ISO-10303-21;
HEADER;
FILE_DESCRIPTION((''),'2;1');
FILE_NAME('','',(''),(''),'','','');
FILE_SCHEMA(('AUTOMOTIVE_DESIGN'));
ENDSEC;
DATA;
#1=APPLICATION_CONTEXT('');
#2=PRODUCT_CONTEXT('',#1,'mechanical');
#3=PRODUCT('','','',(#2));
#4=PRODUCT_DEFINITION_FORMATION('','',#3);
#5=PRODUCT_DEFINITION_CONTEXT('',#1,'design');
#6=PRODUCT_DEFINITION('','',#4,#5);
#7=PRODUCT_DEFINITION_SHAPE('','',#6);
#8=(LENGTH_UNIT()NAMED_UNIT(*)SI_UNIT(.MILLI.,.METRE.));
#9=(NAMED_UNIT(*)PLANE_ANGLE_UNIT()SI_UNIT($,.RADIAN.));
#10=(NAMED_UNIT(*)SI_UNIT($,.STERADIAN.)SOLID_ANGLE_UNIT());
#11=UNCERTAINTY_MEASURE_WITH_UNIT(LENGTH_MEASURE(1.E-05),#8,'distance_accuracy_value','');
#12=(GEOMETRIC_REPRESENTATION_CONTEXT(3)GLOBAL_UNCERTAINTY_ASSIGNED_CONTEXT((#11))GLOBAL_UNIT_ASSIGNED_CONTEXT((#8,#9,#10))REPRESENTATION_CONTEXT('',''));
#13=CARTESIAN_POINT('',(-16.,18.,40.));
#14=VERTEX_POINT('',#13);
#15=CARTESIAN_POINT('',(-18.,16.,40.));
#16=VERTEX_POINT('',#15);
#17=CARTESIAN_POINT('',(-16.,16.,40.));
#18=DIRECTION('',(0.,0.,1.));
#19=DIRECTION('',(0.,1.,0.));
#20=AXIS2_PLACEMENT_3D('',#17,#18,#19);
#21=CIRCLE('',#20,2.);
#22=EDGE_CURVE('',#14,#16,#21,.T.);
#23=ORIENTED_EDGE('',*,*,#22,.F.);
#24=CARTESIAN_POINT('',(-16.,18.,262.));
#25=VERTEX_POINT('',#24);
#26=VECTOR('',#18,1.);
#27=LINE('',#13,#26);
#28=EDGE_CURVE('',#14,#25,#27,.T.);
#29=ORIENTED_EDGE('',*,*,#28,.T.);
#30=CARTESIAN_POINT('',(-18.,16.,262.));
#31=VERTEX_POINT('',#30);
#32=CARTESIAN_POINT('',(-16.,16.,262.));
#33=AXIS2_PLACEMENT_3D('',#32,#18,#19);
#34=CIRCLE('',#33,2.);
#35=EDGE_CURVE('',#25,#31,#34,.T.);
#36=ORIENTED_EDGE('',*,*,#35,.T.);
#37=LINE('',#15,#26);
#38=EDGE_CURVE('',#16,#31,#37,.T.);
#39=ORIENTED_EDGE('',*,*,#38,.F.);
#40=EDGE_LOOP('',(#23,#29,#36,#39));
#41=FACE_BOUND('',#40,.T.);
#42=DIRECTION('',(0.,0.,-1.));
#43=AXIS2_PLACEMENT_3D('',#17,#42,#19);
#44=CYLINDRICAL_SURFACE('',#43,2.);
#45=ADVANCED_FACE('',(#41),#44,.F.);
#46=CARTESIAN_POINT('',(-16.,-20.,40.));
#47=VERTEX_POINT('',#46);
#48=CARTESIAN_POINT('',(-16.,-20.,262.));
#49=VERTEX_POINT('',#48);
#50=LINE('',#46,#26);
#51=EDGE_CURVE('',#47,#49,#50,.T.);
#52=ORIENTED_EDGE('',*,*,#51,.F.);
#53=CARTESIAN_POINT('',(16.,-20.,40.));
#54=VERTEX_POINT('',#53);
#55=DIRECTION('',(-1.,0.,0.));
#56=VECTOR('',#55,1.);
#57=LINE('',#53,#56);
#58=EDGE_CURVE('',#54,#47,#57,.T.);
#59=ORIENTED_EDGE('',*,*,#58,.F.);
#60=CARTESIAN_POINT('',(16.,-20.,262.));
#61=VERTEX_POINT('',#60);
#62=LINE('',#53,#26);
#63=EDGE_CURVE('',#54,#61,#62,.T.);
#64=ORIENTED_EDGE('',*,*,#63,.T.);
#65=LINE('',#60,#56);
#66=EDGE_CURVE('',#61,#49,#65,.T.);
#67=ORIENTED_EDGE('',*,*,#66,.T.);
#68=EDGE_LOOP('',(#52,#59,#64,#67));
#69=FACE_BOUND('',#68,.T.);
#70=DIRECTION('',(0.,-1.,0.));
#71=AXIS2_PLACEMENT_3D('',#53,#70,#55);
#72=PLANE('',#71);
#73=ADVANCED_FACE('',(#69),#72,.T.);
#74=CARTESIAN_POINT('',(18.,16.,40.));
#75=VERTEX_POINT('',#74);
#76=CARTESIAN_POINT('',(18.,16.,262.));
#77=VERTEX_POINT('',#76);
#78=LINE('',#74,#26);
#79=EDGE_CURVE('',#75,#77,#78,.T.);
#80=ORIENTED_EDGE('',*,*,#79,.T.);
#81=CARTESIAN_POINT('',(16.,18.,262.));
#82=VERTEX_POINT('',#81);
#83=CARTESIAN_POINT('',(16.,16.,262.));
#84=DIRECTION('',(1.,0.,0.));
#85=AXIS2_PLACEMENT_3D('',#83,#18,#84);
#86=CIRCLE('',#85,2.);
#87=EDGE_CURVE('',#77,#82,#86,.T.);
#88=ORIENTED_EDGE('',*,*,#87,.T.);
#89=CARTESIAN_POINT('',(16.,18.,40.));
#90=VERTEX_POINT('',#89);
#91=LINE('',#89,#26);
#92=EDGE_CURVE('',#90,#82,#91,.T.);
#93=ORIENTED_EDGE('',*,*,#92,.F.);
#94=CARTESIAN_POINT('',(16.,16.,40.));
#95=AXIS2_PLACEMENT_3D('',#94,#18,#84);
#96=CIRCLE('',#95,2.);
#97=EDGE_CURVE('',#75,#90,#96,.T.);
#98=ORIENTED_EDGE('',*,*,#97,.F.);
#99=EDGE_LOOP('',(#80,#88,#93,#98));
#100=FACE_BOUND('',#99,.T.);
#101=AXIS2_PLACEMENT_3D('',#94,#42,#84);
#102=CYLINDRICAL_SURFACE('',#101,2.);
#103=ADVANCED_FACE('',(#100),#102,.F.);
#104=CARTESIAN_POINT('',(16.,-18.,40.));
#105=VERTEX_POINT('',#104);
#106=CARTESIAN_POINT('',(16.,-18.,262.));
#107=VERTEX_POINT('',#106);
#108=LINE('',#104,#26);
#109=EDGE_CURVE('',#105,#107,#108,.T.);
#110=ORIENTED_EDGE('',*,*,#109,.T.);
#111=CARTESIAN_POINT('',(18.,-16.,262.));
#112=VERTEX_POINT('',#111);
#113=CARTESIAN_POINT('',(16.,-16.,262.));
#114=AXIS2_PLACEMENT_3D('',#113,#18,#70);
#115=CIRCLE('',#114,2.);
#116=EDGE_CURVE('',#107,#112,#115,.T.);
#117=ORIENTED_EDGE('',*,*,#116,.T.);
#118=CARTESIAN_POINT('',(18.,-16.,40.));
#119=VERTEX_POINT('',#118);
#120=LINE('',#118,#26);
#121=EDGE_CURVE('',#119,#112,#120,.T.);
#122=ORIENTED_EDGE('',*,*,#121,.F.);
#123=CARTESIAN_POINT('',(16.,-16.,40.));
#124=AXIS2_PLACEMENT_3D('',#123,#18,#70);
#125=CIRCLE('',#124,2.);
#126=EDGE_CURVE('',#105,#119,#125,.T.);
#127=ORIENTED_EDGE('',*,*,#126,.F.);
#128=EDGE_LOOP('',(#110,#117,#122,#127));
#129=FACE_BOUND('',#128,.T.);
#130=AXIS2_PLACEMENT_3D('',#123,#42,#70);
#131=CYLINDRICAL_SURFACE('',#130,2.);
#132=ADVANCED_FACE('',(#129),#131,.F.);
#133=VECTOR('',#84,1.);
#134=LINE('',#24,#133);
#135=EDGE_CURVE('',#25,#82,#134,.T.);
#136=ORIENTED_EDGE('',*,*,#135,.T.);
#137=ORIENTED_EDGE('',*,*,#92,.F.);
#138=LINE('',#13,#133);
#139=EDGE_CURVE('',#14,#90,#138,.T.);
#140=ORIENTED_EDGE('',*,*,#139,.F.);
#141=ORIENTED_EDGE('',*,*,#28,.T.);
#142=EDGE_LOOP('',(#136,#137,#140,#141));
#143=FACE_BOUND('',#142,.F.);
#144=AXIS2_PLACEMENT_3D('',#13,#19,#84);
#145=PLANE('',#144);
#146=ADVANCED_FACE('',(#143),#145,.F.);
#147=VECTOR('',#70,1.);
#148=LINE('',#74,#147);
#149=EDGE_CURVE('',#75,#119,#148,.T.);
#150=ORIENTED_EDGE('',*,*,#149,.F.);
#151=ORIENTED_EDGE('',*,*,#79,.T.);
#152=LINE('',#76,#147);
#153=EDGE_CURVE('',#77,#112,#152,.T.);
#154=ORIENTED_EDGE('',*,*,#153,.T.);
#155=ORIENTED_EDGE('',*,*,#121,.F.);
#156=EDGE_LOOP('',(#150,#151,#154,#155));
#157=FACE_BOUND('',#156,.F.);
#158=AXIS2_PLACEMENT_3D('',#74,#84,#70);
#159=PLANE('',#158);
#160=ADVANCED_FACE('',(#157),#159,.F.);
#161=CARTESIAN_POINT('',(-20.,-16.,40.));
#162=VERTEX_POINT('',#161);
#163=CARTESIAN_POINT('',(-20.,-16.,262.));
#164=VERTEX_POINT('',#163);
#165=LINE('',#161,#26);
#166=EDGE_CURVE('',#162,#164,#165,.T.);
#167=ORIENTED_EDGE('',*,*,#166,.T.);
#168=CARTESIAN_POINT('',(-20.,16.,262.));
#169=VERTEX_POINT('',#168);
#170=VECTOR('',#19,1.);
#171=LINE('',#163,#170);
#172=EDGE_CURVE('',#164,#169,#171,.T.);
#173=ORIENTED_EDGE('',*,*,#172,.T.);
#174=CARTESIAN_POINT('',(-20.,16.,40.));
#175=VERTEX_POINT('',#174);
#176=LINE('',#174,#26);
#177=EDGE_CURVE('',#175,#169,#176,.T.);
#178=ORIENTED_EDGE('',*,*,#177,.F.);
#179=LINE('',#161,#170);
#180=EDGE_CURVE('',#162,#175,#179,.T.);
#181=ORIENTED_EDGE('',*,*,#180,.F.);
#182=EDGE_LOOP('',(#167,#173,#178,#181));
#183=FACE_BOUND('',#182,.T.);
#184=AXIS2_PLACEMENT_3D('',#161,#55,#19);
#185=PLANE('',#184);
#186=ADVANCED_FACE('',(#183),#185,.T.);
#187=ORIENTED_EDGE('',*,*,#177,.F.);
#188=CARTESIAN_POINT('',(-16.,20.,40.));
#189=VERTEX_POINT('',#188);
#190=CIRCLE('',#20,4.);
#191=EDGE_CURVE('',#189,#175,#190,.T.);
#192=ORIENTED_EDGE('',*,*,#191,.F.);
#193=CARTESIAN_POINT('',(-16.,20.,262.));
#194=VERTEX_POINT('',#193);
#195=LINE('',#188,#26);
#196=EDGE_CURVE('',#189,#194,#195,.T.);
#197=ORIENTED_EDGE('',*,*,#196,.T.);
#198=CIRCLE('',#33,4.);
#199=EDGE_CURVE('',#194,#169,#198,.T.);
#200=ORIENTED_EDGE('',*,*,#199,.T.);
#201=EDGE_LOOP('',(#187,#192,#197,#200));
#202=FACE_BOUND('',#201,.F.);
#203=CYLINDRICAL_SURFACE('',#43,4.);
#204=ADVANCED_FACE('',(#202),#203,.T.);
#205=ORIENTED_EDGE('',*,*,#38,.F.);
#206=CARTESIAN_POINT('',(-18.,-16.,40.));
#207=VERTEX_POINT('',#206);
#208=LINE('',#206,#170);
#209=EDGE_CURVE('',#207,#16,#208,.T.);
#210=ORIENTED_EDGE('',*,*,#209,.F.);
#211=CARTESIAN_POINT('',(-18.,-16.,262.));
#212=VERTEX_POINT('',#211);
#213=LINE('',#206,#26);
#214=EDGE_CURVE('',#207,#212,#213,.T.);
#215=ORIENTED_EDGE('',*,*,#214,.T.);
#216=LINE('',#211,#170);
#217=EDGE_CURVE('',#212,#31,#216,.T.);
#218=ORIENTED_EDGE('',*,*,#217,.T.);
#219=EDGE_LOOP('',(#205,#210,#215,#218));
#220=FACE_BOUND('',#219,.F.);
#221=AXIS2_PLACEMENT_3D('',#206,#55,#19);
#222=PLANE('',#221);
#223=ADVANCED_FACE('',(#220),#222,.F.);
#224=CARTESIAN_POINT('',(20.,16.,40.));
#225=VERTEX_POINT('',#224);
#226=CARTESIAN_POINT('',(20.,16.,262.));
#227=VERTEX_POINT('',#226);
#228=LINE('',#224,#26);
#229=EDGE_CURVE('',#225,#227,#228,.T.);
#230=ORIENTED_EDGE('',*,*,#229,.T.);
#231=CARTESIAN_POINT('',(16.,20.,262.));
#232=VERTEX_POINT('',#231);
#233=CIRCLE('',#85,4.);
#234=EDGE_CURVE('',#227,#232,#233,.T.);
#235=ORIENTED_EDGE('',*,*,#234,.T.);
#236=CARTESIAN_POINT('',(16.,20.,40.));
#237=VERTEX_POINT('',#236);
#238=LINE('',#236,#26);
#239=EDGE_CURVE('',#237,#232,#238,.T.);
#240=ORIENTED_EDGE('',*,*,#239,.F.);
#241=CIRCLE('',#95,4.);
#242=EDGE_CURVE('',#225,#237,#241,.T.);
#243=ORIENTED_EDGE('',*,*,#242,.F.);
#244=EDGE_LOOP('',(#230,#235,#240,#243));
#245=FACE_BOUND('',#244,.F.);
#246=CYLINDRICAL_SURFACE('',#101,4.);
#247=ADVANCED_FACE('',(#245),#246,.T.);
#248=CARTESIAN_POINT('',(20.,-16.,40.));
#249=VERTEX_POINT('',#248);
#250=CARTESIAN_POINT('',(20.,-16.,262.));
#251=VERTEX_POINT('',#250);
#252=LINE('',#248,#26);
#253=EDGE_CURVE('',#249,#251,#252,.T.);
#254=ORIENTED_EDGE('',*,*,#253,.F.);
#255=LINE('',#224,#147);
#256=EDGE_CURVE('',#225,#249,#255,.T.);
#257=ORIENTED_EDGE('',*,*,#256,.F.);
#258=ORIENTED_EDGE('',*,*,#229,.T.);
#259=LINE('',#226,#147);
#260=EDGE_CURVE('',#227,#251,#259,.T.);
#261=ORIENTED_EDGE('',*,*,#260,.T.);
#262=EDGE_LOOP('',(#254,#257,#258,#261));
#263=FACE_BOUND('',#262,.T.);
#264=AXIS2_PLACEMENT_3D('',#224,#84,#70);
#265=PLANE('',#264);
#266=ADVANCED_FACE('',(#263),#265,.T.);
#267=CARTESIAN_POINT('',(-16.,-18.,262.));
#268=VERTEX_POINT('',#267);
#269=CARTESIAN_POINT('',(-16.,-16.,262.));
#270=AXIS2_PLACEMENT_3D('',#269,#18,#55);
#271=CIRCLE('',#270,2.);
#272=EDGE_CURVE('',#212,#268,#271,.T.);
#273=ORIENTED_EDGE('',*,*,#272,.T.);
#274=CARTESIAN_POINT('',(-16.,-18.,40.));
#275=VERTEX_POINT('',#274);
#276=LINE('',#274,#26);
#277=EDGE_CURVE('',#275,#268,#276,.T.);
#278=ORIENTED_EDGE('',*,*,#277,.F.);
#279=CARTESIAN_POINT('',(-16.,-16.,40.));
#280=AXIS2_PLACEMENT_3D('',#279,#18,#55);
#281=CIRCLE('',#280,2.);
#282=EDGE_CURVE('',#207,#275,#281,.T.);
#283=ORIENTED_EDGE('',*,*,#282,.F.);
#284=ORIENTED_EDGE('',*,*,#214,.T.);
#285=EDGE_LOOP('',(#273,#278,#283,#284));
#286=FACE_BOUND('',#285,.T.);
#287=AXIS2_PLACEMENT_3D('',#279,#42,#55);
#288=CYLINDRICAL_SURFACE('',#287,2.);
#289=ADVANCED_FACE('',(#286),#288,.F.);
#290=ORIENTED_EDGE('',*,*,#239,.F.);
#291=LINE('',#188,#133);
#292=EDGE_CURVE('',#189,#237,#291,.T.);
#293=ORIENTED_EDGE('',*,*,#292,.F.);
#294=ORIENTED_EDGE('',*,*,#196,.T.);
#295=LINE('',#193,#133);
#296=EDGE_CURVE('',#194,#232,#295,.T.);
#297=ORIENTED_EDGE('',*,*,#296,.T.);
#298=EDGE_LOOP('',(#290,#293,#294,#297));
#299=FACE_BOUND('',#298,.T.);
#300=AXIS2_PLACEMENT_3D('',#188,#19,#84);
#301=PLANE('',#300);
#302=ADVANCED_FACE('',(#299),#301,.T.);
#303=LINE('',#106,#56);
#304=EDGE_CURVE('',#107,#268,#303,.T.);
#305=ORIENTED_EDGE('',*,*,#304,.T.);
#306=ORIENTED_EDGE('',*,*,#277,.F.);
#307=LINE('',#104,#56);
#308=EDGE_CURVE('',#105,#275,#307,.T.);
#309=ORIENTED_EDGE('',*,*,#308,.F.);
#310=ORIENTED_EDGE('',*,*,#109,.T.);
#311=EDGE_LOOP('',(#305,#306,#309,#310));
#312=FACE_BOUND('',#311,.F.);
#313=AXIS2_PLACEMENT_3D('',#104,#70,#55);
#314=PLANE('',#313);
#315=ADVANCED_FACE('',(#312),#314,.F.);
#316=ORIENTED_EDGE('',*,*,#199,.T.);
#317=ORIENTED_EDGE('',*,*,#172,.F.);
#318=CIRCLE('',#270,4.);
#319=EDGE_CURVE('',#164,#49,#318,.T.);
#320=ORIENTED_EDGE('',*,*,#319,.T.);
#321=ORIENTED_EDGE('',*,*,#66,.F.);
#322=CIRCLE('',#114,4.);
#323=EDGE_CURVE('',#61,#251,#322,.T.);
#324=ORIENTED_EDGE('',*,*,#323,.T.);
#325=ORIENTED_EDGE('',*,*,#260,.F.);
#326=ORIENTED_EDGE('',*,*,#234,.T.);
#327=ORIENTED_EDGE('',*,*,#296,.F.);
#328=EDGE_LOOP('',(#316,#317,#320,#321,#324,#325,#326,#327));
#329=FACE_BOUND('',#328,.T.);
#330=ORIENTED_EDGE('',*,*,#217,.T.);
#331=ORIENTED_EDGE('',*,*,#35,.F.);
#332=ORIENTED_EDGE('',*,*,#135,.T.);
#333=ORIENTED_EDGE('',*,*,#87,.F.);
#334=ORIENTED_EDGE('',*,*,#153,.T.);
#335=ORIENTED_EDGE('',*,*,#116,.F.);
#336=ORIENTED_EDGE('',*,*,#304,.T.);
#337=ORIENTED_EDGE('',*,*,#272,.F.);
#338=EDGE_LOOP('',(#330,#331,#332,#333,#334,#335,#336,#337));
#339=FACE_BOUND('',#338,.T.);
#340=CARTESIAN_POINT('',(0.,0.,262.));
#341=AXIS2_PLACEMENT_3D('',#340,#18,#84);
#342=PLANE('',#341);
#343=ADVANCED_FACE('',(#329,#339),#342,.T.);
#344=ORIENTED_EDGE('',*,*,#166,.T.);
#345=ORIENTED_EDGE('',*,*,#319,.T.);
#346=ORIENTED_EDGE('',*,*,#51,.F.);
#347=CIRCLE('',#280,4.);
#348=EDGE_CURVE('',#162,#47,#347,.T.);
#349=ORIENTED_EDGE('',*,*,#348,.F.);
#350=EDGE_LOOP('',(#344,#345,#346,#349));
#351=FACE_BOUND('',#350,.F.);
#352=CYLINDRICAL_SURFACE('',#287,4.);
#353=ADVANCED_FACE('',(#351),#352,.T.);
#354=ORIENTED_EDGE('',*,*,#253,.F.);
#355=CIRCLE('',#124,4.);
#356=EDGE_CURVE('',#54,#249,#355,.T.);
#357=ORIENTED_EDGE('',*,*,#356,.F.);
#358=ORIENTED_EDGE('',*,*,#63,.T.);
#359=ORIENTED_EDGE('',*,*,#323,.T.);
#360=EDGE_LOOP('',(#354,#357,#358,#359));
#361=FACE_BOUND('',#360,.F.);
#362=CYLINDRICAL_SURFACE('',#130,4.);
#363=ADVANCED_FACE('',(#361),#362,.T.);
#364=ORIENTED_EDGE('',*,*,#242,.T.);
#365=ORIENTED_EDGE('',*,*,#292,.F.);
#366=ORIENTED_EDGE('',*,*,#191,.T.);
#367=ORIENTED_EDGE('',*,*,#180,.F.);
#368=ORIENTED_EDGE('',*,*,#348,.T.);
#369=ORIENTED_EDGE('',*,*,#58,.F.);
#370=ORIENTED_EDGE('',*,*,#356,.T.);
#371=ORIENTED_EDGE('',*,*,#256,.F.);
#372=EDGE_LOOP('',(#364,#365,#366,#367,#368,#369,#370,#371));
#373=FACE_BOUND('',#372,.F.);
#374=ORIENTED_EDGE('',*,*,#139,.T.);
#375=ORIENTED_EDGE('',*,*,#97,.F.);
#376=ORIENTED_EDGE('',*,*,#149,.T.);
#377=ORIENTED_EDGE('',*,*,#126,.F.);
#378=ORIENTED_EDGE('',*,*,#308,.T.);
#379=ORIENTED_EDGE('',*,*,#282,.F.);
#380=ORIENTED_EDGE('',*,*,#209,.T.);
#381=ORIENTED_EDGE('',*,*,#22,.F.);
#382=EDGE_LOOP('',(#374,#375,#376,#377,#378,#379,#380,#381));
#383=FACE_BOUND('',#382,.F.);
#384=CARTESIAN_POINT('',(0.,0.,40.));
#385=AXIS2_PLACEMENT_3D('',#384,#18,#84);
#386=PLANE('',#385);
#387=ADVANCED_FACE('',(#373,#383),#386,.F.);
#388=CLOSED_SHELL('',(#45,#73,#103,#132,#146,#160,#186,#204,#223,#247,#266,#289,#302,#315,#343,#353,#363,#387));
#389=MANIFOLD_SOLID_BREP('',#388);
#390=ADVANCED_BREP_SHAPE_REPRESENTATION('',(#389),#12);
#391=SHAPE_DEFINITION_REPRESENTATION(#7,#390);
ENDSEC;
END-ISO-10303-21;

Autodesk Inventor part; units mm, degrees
ref_plane "YZ Plane" through (0, 0, 0) normal (1, 0, 0) x (0, 1, 0)
ref_plane "Start Plane" through (0, 0, 40) normal (0, 0, 1) x (1, 0, 0)
ref_plane "End Plane" through (0, 0, 262) normal (0, 0, 1) x (1, 0, 0)
sketch "Sketch" plane through (0, 0, 0) normal (0, 0, 1) x (1, 0, 0)
  line L0 (-20, -16) -> (-20, 16)
  line L1 (-16, 20) -> (16, 20)
  line L2 (20, 16) -> (20, -16)
  line L3 (16, -20) -> (-16, -20)
  arc A0 (-20, -16) -> (-16, -20) centre (-16, -16) ccw
  arc A1 (20, 16) -> (16, 20) centre (16, 16) ccw
  arc A2 (-16, 20) -> (-20, 16) centre (-16, 16) ccw
  arc A3 (16, -20) -> (20, -16) centre (16, -16) ccw
  arc A4 (-16, 18) -> (-18, 16) centre (-16, 16) ccw
  line L4 (-16, 18) -> (16, 18)
  arc A5 (18, 16) -> (16, 18) centre (16, 16) ccw
  line L5 (18, 16) -> (18, -16)
  arc A6 (16, -18) -> (18, -16) centre (16, -16) ccw
  line L6 (16, -18) -> (-16, -18)
  arc A7 (-18, -16) -> (-16, -18) centre (-16, -16) ccw
  line L7 (-18, -16) -> (-18, 16)
  line L8 (0, 29.1598) -> (0, -29.1598) construction
  line L9 (-29.1598, 0) -> (29.1598, 0) construction
  dimension "d7" = 4
  dimension "d9" = 40
  dimension "d11" = 40
  dimension "d12" = 2
  dimension "d15" = 20
  dimension "d16" = 20
extrude "Body" add sketch "Sketch" along normal up to surface (222 mm away) from surface at 40
sketch "Sketch3" plane through (0, 0, 0) normal (0, 0, 1) x (1, 0, 0)
  line L0 (0, 0) -> (10, 0)
ref_plane "Work Plane3" through (0, 0, 0) normal (0, -1, 0) x (1, 0, 0)
sketch "Sketch4" plane through (0, 0, 0) normal (0, -1, 0) x (1, 0, 0)
  line L0 (-2, 40) -> (12, 40) projected
  line L1 (-2, 262) -> (12, 262) projected
  dimension "d18" = 222
equation "\"d7\" = G_IR"
equation "\"d9\" = G_W"
equation "\"d11\" = G_H"
equation "\"d12\" = G_T"
equation "\"d15\" = 0.5 * d9"
equation "\"d16\" = 0.5 * d11"
equation "\"d3\" = G_L"
equation "\"G_W\" = 40"
equation "\"G_H\" = 40"
equation "\"G_T\" = 2"
equation "\"G_IR\" = 4"
equation "\"G_L\" = d18"
equation "\"d14\" = G_OFFSET_END + B_L"
equation "\"B_L\" = 302"
equation "\"G_OFFSET_END\" = -40"
properties part number "ISO 10799-2 - 40x40x2 - 222" material "Steel, Mild"
